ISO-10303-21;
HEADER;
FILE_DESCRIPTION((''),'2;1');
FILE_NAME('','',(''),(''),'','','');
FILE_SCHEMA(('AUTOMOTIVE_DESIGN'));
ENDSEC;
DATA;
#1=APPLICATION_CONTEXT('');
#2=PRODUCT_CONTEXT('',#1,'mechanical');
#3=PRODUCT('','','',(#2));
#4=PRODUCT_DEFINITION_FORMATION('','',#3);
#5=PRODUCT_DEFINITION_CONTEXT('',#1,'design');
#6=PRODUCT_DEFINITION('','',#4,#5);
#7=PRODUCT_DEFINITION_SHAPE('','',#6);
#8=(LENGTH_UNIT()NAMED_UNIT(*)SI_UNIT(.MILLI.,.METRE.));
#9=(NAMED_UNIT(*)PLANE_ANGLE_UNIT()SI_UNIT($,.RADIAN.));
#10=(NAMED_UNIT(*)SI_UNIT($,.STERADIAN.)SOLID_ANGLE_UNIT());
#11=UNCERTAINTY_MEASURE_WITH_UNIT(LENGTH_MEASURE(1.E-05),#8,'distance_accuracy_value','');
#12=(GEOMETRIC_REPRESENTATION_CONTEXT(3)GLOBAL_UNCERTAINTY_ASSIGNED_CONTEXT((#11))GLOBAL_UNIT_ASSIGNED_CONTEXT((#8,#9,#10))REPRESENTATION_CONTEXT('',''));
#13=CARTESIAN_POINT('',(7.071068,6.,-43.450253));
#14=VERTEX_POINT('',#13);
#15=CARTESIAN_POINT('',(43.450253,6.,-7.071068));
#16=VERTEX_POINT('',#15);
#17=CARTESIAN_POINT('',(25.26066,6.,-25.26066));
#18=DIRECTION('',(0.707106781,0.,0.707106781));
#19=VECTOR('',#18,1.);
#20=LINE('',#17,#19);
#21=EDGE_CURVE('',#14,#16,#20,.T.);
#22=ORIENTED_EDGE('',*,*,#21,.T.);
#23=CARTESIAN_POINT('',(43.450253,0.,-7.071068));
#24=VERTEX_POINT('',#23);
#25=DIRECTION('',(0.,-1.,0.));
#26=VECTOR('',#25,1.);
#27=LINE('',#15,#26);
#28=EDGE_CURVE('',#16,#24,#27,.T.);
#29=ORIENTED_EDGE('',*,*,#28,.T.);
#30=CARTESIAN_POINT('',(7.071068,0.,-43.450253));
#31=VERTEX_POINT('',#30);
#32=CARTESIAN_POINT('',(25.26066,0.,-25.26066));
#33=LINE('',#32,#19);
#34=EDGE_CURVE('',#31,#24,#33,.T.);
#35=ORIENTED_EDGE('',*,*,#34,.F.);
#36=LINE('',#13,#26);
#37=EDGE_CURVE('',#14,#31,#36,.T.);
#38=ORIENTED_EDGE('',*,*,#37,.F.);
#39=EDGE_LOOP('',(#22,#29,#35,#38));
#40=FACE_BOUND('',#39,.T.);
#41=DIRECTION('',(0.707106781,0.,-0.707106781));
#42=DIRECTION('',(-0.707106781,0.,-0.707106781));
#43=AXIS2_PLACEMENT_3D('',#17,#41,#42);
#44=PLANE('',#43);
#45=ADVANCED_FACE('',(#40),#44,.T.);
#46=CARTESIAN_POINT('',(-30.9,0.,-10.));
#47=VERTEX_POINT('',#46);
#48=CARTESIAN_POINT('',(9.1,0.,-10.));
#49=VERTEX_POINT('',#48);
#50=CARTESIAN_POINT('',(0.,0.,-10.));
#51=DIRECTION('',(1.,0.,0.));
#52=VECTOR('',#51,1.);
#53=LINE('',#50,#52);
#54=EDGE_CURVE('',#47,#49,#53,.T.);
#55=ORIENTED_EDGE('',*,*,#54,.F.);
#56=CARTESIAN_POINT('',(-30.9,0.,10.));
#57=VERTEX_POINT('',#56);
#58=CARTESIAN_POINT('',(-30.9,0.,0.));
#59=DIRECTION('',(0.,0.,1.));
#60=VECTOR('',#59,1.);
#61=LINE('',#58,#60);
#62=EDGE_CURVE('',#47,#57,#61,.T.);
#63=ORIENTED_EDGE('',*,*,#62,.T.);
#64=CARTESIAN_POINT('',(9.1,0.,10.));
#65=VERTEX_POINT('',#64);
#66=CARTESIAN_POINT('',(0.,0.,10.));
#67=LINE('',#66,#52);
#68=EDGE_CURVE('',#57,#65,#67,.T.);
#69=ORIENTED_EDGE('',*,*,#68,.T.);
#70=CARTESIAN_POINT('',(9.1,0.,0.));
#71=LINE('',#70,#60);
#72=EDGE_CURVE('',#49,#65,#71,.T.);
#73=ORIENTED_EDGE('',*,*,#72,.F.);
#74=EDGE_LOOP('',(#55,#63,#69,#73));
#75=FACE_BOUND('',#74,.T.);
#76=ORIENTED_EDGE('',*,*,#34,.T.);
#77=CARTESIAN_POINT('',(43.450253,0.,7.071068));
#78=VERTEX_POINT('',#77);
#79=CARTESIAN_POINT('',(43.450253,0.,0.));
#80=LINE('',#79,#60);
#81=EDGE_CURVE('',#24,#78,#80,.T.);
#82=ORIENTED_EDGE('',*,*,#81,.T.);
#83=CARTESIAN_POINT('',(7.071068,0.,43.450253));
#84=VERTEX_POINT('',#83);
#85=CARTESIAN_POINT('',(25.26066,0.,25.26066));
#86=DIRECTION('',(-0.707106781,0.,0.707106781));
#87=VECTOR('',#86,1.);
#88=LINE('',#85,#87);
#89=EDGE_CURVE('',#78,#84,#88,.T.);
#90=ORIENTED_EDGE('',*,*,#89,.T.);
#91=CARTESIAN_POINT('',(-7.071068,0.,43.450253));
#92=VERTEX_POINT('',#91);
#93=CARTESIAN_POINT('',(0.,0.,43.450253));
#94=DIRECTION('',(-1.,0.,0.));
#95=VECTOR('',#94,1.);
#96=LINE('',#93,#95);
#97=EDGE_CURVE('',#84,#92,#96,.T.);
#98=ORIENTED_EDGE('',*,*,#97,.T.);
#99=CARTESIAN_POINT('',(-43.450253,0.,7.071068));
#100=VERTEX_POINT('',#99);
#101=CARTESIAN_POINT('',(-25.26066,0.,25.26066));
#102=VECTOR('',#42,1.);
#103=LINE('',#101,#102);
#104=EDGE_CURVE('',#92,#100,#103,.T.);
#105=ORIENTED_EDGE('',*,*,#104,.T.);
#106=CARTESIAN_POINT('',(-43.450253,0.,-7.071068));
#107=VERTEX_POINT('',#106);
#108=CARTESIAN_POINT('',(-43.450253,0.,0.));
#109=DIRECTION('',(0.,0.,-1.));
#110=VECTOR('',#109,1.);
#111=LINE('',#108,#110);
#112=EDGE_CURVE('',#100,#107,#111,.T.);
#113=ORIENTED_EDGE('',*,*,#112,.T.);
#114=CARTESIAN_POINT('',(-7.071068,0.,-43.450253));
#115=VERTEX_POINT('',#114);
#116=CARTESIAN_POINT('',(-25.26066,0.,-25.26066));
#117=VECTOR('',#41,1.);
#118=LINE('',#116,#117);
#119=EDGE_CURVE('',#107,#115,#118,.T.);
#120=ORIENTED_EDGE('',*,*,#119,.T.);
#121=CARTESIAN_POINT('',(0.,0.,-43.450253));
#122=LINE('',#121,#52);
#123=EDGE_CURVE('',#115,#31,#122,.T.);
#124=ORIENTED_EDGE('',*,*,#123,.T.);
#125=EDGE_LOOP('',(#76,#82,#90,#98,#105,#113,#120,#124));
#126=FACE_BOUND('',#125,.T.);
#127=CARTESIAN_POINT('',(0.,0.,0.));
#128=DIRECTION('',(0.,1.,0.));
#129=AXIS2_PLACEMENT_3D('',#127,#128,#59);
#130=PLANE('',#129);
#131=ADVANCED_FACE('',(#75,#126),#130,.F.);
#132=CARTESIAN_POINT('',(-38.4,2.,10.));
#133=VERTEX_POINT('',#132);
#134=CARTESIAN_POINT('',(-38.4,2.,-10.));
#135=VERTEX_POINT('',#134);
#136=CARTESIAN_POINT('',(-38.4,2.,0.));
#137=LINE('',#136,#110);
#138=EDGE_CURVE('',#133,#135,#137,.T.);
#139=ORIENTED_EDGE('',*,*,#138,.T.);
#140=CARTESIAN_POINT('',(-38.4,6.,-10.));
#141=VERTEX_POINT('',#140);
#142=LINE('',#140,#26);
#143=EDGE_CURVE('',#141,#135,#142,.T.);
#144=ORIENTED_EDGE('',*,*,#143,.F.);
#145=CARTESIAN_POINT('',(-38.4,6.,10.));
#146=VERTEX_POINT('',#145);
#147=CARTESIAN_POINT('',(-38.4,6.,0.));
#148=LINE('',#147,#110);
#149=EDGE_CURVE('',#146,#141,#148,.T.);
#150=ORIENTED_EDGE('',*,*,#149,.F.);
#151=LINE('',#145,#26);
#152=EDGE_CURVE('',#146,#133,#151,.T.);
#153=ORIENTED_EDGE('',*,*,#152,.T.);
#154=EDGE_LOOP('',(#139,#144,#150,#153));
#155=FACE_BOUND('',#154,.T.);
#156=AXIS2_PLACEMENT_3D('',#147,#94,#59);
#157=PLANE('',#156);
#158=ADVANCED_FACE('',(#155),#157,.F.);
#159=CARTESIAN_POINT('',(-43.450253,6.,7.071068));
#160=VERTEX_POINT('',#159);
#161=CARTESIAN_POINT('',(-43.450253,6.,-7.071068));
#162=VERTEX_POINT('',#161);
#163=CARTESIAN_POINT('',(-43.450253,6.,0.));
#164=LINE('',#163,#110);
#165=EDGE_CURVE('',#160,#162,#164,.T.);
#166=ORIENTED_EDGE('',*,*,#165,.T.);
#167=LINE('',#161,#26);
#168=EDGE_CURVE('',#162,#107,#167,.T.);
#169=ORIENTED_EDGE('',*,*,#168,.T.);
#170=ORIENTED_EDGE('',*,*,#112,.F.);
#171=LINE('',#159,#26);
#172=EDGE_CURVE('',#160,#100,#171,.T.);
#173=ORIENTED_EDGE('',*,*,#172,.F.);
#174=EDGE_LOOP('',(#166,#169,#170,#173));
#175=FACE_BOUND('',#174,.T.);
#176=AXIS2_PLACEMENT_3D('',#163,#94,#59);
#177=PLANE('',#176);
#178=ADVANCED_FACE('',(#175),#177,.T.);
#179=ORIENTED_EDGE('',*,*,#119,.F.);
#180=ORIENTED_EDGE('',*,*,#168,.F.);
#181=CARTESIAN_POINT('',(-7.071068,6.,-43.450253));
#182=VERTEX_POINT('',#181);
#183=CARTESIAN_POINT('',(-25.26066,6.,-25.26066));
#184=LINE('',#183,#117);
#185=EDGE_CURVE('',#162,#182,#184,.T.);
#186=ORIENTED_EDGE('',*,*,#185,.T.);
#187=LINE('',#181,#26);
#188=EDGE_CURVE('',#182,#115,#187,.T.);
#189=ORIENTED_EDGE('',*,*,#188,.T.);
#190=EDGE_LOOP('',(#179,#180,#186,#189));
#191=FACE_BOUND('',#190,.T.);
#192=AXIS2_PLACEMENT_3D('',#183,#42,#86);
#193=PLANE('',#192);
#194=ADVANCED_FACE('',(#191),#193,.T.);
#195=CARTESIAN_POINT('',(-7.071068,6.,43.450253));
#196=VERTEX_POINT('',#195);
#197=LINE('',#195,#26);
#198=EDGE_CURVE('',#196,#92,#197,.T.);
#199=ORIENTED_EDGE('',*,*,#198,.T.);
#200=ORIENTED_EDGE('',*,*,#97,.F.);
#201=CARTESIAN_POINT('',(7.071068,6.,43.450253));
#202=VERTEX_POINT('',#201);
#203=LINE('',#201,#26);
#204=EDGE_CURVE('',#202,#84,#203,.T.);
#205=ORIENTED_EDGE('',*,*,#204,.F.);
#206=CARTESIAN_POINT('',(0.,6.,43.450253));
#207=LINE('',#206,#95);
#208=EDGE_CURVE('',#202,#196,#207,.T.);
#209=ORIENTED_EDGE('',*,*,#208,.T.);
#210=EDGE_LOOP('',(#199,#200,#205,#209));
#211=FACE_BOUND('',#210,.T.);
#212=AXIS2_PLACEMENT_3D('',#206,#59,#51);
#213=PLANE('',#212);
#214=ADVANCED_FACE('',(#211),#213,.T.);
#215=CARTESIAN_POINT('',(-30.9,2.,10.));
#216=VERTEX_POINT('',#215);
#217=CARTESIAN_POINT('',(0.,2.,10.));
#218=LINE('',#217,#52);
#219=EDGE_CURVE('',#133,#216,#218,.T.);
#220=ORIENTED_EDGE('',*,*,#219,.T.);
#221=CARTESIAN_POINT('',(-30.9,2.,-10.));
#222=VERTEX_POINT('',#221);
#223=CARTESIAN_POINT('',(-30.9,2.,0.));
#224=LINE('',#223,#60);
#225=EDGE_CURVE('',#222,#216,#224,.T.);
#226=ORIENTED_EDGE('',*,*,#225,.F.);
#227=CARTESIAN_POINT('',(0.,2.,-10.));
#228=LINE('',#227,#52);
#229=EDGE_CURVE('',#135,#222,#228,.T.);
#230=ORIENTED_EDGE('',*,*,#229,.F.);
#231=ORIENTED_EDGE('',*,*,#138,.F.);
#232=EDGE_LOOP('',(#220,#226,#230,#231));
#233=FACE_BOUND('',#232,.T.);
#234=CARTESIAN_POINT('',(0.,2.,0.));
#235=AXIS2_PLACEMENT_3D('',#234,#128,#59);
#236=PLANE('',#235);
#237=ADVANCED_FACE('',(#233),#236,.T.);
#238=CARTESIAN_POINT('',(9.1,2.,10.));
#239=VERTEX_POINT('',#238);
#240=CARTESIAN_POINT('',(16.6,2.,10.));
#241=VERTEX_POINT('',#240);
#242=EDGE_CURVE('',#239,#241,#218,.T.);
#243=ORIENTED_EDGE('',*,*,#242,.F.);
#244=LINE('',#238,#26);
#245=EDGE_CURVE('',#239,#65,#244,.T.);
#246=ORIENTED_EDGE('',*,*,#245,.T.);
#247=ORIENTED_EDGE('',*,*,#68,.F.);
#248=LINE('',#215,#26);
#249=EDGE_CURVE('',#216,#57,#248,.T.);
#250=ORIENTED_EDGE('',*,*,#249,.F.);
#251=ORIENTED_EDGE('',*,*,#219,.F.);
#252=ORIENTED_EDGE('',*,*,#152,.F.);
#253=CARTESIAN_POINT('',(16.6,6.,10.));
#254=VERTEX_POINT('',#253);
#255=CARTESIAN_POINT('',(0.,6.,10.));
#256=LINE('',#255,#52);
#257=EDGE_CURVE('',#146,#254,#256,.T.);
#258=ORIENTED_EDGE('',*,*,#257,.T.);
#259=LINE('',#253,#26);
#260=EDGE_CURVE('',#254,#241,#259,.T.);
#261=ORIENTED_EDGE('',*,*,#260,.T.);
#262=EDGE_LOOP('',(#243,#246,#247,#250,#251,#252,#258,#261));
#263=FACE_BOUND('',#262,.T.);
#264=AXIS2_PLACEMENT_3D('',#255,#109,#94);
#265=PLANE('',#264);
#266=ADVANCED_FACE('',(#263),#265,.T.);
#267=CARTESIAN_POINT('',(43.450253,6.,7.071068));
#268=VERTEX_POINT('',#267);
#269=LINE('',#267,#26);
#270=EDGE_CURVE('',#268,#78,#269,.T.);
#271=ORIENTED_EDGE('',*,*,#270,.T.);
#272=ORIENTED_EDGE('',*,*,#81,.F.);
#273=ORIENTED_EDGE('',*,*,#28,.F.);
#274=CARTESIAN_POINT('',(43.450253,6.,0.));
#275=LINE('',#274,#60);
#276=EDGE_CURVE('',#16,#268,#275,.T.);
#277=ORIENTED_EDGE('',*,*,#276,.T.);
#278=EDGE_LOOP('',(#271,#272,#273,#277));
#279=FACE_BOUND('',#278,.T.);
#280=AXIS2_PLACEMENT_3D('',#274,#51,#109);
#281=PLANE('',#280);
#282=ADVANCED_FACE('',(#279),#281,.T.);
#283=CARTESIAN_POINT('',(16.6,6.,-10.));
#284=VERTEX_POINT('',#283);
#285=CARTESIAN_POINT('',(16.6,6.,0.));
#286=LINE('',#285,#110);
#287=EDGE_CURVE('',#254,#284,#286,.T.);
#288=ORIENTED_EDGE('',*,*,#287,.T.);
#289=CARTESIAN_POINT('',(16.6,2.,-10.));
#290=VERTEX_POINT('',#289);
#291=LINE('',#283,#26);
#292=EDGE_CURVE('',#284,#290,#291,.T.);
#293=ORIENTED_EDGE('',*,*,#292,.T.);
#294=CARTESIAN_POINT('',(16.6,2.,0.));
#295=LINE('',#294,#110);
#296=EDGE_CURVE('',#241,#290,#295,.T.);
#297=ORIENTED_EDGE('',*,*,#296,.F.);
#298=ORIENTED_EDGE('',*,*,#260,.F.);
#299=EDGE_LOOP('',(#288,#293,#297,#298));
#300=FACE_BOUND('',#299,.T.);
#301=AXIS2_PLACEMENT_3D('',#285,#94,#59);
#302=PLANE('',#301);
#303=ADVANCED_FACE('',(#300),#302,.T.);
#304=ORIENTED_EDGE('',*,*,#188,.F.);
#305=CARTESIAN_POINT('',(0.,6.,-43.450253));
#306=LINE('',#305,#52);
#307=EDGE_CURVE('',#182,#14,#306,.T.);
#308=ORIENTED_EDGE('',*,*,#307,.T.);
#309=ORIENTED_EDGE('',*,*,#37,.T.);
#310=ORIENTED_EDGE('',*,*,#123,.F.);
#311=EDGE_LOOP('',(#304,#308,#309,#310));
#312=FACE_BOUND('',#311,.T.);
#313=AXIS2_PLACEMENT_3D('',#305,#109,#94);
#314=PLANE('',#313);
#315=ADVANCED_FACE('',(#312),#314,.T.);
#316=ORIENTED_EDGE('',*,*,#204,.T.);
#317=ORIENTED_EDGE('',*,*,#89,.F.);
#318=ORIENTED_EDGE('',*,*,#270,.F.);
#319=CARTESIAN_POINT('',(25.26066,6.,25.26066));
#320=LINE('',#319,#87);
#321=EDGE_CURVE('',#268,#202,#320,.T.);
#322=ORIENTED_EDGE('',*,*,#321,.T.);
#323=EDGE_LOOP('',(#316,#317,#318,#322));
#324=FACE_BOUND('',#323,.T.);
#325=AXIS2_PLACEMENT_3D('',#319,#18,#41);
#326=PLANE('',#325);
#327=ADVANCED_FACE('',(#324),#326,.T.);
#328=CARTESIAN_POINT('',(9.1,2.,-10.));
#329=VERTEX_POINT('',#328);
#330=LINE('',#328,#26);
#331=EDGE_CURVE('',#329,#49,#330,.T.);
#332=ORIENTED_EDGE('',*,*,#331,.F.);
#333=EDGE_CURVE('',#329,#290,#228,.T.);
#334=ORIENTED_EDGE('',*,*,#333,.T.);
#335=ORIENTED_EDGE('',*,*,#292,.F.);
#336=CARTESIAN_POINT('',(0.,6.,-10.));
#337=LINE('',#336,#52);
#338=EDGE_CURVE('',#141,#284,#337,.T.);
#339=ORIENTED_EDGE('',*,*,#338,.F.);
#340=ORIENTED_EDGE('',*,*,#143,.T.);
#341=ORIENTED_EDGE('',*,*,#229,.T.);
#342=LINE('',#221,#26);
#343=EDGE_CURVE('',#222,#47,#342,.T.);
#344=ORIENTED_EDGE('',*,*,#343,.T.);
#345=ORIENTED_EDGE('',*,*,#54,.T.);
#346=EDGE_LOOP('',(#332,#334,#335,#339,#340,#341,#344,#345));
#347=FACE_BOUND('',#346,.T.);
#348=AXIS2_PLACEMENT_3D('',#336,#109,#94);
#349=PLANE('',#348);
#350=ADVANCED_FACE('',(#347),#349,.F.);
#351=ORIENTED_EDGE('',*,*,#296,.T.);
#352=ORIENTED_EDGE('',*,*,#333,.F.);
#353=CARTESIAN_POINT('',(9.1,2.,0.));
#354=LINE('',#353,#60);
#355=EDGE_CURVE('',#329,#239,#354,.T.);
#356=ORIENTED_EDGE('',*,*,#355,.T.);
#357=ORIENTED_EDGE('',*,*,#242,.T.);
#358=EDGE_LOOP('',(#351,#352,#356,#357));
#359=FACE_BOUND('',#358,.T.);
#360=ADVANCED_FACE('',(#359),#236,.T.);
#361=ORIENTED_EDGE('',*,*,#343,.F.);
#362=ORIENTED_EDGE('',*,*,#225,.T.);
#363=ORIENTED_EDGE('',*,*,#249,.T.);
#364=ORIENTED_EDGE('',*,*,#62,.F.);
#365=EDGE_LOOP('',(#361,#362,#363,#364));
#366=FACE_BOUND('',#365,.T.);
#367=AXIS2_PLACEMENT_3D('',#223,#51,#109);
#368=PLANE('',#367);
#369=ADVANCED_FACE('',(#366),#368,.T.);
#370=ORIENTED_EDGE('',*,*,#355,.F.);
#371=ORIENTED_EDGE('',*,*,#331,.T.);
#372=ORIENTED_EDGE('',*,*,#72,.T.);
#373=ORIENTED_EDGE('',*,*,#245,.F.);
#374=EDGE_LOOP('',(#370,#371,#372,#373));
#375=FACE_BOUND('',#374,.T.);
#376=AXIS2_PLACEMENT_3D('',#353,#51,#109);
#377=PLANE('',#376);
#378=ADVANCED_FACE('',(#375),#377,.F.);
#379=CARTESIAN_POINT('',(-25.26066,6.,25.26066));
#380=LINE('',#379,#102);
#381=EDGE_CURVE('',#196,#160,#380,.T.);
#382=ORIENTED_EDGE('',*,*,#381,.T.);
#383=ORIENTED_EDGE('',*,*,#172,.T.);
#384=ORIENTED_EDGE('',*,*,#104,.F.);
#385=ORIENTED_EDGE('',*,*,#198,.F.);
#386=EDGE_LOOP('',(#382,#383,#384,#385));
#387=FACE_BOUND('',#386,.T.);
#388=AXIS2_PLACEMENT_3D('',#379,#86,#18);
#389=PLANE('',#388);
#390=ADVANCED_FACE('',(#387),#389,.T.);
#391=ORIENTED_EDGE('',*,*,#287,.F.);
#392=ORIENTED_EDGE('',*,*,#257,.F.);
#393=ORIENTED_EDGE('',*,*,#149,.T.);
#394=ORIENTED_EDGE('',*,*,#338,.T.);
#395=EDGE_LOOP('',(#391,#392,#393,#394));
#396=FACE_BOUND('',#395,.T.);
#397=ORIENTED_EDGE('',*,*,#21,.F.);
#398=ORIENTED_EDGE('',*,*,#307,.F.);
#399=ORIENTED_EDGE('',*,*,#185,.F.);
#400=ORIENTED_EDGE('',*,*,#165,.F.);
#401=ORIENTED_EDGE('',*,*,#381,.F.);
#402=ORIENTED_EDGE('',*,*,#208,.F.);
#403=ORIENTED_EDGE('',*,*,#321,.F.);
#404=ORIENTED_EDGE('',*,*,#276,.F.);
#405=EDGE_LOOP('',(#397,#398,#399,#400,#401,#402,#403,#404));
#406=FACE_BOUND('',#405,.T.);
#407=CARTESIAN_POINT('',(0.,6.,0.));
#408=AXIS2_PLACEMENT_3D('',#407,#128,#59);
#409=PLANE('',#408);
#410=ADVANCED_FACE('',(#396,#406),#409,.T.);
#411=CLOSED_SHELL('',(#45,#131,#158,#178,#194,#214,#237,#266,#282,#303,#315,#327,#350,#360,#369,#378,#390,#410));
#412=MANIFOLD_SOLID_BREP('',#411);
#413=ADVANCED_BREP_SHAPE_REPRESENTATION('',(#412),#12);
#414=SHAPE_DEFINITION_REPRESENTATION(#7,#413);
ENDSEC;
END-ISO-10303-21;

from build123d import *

# Parameters (mm, degrees)
BOSS_EXTRUDE1_DEPTH = 6
SKETCH1_3_W         = 7.5
SKETCH1_3_H         = 20
BOSS_EXTRUDE2_DEPTH = 2


with BuildPart() as part:
    # Sketch1 → Boss-Extrude1 (new body)
    with BuildSketch(Plane(origin=(0, 0, 0), x_dir=(1, 0, 0), z_dir=(0, 1, 0))):
        Polygon((43.450252532, 7.071067812), (7.071067812, 43.450252532), (-7.071067812, 43.450252532), (-43.450252532, 7.071067812), (-43.450252532, -7.071067812), (-7.071067812, -43.450252532), (7.071067812, -43.450252532), (43.450252532, -7.071067812), align=None)
        Polygon((-30.9, -10), (-38.4, -10), (-38.4, 10), (-30.9, 10), (9.1, 10), (16.6, 10), (16.6, -10), (9.1, -10), align=None, mode=Mode.SUBTRACT)
    extrude(amount=BOSS_EXTRUDE1_DEPTH)

    # Sketch1<3> → Boss-Extrude2 (add)
    with BuildSketch(Plane(origin=(0, 0, 0), x_dir=(1, 0, 0), z_dir=(0, 1, 0))):
        with Locations((-34.65, 0)):
            Rectangle(SKETCH1_3_W, SKETCH1_3_H)
        with Locations((12.85, 0)):
            Rectangle(SKETCH1_3_W, SKETCH1_3_H)
    extrude(amount=BOSS_EXTRUDE2_DEPTH)


solid = part.part
